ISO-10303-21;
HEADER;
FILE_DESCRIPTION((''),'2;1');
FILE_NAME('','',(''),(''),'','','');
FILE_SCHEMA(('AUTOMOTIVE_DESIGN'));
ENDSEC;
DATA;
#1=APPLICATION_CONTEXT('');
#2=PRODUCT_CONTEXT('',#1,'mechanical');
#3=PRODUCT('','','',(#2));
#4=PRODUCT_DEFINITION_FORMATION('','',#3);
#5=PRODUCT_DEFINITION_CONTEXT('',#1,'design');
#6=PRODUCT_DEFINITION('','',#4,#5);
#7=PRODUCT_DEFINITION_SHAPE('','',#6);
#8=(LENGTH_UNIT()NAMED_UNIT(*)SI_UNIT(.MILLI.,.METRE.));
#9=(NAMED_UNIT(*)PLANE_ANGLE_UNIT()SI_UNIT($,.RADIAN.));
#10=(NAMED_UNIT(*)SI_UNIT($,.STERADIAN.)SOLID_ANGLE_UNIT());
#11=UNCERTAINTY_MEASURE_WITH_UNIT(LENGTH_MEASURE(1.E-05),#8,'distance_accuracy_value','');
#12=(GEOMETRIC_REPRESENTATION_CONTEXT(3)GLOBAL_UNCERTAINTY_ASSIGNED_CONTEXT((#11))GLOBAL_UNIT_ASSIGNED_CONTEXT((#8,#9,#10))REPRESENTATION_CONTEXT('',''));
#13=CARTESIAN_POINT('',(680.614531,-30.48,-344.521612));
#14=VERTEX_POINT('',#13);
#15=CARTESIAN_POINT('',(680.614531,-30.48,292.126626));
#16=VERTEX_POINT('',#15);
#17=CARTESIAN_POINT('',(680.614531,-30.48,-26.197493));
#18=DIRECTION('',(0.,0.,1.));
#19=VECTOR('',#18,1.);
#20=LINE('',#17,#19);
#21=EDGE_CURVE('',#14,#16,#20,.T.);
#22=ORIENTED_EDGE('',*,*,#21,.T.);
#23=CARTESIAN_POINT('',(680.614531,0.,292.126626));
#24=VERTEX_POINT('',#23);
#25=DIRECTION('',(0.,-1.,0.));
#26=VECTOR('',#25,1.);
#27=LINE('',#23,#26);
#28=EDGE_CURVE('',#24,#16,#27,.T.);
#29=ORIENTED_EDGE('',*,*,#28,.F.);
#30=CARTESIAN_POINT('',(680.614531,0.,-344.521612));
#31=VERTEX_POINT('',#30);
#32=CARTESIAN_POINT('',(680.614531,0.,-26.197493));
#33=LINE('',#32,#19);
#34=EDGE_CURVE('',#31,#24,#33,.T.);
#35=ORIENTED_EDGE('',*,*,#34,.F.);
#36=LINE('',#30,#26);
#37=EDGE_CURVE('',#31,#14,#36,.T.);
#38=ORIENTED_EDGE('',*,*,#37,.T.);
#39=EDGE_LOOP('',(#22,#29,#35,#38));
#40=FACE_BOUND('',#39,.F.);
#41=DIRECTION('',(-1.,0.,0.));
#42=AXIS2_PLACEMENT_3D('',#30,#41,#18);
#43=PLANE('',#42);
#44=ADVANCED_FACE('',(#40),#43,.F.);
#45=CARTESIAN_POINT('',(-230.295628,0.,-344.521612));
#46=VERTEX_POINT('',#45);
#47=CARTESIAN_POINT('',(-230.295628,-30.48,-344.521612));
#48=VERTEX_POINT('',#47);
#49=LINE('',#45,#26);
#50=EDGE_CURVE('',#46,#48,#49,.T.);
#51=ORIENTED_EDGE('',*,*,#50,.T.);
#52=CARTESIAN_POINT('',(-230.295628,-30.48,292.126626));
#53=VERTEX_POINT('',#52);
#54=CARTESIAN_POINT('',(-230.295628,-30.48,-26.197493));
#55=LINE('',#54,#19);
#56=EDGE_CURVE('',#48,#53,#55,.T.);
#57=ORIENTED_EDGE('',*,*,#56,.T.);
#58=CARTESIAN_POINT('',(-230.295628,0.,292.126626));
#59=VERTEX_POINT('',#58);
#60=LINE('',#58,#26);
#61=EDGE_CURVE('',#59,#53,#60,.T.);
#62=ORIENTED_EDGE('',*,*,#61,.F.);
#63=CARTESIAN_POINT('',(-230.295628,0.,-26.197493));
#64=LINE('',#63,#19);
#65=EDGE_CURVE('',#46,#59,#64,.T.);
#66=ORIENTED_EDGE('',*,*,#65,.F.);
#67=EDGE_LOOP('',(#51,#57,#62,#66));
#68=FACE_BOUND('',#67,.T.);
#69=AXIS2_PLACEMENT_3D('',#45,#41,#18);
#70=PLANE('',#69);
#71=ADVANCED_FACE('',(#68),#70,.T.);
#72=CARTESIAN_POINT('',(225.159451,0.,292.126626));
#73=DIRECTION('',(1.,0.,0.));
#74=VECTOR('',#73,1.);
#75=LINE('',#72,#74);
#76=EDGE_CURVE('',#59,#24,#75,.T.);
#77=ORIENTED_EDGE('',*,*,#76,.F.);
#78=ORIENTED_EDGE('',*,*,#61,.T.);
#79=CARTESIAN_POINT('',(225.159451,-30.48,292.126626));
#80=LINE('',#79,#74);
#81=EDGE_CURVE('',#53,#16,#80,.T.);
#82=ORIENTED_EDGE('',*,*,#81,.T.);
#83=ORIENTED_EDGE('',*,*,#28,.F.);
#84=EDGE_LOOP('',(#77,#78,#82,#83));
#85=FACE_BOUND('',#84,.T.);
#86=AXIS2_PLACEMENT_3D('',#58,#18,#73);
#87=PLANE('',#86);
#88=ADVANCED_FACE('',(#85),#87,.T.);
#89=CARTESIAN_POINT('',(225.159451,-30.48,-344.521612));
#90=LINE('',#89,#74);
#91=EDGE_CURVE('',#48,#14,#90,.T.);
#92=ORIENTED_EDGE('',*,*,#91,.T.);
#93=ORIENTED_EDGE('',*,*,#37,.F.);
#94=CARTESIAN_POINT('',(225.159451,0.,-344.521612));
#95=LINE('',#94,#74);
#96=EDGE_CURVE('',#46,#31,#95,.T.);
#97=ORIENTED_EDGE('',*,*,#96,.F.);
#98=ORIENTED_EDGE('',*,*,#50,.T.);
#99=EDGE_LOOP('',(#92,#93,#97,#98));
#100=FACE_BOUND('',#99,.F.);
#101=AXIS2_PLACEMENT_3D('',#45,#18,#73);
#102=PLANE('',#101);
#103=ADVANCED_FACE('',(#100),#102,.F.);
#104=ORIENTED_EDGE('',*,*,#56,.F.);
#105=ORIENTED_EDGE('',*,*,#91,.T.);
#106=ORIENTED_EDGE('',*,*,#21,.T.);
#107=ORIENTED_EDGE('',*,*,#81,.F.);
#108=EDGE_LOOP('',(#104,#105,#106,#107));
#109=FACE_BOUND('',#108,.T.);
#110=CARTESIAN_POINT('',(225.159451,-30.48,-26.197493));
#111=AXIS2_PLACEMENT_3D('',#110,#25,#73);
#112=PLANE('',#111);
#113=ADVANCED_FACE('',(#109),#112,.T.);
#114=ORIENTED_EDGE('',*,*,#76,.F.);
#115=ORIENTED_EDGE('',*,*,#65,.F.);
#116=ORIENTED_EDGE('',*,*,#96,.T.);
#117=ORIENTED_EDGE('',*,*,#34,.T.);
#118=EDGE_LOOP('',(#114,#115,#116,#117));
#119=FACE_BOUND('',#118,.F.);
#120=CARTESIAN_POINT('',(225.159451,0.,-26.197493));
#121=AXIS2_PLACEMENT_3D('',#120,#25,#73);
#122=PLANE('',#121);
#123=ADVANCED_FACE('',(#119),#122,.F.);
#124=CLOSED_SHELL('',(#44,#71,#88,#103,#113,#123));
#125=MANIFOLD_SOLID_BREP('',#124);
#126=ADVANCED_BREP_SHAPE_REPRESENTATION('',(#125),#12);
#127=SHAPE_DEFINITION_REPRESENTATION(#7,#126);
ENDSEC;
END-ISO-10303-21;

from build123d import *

# Parameters (mm, degrees)
F0_W     = 123.973846
F0_H     = 45.784473
F0_H_2   = 68.939351
F1_DEPTH = 30.48
F2_W     = 910.910159
F2_H     = 636.648238
F3_DEPTH = 30.48


with BuildPart() as f1:
    # F0 (on Front) → F1 (new body)
    with BuildSketch(Plane.XZ):
        with Locations((3.646299, 31.743377)):
            Rectangle(F0_W, F0_H)
        with Locations((3.646299, -25.618534)):
            Rectangle(F0_W, F0_H_2)
    extrude(amount=F1_DEPTH)

    # F2 (on Front) → F3 (join)
    with BuildSketch(Plane.XZ):
        with Locations((225.159451, -26.197493)):
            Rectangle(F2_W, F2_H)
    extrude(amount=F3_DEPTH)


solid = f1.part
